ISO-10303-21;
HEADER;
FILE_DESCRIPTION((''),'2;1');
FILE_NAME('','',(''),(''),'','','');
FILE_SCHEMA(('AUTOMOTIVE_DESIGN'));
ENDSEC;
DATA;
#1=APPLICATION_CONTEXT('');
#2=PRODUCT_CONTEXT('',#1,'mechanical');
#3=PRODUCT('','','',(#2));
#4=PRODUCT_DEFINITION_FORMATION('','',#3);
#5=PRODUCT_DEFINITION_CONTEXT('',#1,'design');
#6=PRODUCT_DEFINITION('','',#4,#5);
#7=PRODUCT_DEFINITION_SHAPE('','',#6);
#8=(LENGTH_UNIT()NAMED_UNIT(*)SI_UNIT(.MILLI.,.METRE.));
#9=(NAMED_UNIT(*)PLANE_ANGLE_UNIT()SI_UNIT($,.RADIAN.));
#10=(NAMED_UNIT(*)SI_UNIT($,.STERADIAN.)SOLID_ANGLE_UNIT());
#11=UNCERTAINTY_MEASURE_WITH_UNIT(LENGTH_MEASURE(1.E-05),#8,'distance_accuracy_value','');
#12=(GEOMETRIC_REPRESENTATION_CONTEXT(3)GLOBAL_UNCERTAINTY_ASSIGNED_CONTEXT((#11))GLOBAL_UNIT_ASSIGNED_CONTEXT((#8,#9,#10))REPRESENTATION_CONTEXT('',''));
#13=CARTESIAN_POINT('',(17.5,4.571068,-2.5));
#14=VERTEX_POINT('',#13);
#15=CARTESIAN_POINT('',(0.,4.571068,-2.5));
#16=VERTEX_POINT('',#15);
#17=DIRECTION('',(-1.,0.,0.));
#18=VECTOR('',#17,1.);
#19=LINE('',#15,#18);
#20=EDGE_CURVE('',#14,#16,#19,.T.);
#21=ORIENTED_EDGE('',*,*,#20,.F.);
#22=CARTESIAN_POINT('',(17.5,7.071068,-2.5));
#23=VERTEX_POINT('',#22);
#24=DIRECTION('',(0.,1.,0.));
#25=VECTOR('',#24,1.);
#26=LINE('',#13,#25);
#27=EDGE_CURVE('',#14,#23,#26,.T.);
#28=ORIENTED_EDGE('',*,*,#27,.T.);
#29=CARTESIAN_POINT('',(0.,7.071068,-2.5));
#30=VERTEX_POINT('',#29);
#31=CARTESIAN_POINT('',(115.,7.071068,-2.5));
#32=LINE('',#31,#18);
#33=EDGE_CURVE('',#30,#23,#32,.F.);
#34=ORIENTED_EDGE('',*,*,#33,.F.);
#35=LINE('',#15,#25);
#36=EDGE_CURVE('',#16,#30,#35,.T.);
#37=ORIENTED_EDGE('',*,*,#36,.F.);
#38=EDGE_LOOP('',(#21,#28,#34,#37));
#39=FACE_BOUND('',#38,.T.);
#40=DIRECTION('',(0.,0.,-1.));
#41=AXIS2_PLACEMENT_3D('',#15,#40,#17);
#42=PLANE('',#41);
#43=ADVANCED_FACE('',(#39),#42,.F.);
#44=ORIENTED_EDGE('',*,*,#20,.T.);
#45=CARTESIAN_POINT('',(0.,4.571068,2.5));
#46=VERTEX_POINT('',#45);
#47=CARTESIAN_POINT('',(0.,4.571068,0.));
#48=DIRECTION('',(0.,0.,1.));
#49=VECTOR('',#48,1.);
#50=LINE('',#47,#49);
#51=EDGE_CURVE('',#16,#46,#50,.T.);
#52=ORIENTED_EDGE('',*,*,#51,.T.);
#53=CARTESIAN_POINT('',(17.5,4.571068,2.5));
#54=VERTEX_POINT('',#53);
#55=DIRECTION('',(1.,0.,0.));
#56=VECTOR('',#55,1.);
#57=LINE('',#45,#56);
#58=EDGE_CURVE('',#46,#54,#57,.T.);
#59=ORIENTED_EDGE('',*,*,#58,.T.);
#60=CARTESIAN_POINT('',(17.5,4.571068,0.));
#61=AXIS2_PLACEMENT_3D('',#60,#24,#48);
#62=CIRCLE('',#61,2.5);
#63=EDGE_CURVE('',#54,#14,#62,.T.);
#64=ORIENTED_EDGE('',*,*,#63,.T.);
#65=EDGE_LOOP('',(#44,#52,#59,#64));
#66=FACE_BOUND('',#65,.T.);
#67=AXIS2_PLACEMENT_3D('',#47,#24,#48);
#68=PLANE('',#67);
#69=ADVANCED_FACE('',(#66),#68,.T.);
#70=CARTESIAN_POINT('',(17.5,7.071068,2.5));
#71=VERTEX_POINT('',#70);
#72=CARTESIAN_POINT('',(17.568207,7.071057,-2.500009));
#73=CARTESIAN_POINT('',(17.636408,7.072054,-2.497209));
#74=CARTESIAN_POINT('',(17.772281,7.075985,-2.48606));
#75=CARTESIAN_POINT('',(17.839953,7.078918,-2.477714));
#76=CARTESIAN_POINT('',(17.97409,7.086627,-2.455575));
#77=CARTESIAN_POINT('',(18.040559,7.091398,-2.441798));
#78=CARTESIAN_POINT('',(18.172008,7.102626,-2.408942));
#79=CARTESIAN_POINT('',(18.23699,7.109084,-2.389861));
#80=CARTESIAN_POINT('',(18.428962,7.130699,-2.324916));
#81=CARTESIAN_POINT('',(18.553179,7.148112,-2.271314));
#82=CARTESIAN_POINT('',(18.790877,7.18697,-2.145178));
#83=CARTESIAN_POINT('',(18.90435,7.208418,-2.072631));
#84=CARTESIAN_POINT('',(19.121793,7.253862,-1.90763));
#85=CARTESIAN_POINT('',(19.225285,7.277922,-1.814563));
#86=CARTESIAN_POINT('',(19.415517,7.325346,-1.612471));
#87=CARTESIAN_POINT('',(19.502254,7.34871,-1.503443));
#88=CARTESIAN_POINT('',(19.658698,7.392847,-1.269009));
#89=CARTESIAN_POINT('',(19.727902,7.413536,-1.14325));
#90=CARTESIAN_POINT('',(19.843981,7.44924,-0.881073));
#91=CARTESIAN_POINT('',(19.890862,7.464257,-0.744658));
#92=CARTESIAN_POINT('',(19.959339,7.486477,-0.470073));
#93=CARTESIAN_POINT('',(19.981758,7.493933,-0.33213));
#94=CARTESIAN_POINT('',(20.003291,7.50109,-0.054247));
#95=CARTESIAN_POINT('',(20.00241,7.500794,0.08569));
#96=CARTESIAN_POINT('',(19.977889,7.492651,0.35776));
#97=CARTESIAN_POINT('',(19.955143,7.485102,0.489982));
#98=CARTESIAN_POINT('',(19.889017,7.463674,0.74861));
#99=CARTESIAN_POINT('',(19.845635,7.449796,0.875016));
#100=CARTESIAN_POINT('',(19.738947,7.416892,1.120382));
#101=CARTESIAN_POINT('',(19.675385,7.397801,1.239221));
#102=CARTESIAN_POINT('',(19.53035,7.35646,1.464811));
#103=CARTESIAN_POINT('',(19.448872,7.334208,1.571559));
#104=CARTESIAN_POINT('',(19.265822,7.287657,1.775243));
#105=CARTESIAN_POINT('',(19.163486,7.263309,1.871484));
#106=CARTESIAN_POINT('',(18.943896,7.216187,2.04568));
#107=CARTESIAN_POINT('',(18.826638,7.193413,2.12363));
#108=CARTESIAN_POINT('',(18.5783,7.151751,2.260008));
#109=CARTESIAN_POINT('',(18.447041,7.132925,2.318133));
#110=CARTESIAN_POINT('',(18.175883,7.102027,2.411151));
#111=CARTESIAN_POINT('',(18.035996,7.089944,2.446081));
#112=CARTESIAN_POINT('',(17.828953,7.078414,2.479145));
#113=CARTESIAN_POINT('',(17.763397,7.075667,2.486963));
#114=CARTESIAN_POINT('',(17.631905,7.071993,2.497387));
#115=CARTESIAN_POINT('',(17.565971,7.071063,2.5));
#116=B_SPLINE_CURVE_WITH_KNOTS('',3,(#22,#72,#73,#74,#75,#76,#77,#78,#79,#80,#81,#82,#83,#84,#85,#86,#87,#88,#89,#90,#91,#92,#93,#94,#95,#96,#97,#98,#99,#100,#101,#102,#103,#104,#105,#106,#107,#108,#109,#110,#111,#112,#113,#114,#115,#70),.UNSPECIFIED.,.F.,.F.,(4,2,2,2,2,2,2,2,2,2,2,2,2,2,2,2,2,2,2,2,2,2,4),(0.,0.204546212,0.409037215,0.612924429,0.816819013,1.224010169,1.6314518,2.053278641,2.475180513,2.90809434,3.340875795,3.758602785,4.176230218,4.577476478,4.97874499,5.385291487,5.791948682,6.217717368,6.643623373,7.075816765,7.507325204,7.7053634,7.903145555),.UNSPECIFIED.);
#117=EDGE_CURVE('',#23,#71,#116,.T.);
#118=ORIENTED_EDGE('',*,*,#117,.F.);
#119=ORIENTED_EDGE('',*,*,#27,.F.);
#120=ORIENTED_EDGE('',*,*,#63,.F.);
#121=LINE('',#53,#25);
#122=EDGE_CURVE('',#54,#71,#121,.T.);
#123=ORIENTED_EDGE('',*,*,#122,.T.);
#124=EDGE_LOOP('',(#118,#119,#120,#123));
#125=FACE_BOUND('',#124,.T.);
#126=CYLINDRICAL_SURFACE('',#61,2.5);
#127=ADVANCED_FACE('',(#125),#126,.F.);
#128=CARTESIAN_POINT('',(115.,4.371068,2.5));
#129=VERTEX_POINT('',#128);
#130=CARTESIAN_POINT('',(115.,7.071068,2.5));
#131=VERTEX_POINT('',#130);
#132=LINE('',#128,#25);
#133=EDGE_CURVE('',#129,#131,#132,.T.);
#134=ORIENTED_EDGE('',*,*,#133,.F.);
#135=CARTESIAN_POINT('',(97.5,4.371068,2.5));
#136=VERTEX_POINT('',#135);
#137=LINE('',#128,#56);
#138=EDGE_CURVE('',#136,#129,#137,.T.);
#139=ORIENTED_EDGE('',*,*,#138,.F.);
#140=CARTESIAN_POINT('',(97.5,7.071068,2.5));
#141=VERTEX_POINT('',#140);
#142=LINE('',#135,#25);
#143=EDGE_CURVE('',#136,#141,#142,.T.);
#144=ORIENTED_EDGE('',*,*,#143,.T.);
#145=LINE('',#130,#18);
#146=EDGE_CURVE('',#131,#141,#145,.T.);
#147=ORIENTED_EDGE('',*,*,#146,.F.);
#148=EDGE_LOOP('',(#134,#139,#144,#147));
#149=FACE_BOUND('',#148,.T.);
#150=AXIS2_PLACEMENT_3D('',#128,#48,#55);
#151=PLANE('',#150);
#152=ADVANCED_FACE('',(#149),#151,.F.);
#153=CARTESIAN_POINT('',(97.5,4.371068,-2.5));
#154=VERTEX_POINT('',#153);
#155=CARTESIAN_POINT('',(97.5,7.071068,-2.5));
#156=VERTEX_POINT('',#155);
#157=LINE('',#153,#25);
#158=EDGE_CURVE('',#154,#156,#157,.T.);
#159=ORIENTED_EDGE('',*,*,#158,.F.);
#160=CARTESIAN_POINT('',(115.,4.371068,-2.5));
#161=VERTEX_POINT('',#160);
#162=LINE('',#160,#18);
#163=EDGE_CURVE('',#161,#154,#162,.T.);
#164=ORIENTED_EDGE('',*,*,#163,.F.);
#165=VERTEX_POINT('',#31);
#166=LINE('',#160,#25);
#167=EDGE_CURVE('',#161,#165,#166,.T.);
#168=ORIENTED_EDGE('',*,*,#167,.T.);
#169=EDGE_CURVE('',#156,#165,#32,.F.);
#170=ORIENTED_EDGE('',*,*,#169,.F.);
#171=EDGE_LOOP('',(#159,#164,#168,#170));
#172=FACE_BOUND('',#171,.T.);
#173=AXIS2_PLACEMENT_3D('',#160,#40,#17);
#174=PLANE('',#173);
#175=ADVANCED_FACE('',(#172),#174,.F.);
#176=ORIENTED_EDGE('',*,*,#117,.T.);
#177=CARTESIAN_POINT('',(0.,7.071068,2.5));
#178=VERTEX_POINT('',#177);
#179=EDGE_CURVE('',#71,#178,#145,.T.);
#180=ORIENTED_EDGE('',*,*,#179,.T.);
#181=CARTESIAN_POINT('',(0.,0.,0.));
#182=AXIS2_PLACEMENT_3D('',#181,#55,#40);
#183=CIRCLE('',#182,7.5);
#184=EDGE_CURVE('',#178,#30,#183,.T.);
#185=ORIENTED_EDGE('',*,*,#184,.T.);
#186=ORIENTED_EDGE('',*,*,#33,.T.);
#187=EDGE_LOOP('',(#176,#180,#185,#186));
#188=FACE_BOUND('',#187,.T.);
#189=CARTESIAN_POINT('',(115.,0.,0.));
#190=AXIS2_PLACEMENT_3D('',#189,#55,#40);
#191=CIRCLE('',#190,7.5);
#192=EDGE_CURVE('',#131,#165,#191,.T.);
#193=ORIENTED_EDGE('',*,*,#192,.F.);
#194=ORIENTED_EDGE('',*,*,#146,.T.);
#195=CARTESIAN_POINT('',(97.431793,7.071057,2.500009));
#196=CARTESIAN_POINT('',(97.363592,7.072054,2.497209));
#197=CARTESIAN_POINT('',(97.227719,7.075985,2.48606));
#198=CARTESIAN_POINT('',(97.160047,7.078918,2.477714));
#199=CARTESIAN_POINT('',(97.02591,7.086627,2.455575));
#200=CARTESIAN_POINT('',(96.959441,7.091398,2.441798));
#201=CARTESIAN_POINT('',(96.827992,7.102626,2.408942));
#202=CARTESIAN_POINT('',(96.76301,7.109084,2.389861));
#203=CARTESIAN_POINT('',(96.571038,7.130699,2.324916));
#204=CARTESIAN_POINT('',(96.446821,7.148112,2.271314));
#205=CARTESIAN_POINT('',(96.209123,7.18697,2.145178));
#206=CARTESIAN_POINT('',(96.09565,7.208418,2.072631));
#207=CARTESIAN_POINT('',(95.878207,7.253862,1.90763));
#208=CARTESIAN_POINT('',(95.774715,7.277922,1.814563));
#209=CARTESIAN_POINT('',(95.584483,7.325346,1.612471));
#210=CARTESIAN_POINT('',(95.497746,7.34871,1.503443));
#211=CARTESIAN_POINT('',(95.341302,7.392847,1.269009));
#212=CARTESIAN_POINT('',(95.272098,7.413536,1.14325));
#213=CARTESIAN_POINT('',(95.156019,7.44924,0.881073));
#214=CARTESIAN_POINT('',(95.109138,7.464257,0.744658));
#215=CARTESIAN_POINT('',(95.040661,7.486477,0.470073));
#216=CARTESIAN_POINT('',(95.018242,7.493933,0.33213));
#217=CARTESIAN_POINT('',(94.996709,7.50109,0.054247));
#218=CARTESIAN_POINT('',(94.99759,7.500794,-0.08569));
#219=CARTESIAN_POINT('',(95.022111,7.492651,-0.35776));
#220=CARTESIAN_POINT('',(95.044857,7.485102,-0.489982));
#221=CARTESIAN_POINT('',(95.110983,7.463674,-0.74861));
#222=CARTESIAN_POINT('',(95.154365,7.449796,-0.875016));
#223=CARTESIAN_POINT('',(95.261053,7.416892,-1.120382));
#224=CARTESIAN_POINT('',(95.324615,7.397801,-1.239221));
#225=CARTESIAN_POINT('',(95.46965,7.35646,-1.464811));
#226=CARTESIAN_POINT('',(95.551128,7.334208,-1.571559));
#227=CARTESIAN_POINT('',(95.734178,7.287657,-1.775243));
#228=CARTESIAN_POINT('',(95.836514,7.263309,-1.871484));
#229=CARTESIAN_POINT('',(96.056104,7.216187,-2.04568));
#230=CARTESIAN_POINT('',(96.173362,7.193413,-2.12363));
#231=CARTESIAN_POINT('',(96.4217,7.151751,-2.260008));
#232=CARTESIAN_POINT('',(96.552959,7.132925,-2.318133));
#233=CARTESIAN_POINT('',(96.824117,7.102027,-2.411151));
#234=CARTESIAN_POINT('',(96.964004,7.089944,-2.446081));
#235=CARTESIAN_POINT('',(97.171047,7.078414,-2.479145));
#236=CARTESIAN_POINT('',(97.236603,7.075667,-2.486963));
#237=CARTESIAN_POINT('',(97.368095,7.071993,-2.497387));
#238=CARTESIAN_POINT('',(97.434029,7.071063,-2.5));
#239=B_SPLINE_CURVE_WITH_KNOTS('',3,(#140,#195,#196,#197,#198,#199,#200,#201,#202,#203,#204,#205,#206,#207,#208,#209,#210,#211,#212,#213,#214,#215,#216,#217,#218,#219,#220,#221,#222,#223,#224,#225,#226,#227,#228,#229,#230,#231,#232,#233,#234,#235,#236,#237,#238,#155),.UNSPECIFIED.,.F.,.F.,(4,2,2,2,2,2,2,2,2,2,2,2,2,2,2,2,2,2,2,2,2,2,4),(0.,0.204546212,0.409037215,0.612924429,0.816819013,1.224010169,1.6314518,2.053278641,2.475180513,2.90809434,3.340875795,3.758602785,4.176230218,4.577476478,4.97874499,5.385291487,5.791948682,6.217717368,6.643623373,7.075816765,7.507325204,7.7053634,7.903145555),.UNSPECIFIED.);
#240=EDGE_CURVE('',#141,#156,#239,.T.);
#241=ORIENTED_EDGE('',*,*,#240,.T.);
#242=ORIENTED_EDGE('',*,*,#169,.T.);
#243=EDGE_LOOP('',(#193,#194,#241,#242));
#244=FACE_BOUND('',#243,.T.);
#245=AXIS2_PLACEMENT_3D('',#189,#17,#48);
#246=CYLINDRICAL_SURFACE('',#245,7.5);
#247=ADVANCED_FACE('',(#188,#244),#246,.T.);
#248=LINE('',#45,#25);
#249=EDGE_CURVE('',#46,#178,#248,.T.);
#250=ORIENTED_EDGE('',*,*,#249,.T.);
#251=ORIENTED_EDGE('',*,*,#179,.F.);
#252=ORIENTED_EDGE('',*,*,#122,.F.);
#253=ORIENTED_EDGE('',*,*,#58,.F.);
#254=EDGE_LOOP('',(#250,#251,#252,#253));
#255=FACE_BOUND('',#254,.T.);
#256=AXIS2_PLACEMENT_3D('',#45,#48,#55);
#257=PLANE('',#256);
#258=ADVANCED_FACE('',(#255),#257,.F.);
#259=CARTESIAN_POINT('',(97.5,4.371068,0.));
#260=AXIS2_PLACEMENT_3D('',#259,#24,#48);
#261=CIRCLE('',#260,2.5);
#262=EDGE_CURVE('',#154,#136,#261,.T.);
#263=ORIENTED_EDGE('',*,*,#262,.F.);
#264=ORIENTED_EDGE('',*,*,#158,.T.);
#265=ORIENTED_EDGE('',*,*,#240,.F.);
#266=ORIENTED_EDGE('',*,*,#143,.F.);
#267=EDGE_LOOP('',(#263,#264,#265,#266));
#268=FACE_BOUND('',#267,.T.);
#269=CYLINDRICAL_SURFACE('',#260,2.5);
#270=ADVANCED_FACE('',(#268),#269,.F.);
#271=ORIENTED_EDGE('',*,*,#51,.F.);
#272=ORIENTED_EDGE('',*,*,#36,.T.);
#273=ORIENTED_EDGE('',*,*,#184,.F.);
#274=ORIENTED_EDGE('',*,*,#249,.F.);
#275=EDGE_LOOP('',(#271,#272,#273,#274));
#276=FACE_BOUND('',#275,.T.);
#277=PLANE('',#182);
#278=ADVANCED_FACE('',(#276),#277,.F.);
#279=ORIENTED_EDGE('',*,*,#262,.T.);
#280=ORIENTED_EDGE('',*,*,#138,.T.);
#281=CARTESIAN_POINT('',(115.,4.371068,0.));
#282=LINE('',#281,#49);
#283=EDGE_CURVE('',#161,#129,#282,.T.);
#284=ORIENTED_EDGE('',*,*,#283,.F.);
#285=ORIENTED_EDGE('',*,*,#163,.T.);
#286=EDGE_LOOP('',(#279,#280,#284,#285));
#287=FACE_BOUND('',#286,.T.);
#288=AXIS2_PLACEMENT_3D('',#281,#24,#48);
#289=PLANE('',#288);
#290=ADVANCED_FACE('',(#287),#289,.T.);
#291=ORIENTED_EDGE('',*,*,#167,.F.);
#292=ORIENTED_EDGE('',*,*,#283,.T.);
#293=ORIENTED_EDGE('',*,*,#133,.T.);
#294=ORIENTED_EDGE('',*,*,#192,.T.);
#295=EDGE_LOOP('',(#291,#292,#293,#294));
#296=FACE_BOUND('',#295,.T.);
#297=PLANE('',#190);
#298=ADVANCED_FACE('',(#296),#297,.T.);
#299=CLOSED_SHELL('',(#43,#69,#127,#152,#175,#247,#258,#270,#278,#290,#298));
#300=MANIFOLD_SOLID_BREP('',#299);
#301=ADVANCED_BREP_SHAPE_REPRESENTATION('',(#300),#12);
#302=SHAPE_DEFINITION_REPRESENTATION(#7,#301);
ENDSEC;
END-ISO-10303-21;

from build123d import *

# Parameters (mm, degrees)
SKETCH1_R           = 7.5
BOSS_EXTRUDE1_DEPTH = 115
CUT_EXTRUDE3_START  = 10
CUT_EXTRUDE3_DEPTH  = 12.5
CUT_EXTRUDE4_START  = 10
CUT_EXTRUDE4_DEPTH  = 12.7


with BuildPart() as part:
    # Sketch1 → Boss-Extrude1 (new body)
    with BuildSketch(Plane(origin=(0, 0, 0), x_dir=(0, 0, -1), z_dir=(1, 0, 0))):
        Circle(SKETCH1_R)
    extrude(amount=BOSS_EXTRUDE1_DEPTH)

    # Sketch8 → Cut-Extrude3 (cut)
    with BuildSketch(Plane(origin=(0, 7.071067812, 0), x_dir=(1, 0, 0), z_dir=(0, 1, 0)).offset(CUT_EXTRUDE3_START)):
        with BuildLine():
            Line((0, 2.5), (17.5, 2.5))
            ThreePointArc((17.5, 2.5), (20, 0), (17.5, -2.5))
            Line((17.5, -2.5), (0, -2.5))
            ThreePointArc((0, -2.5), (-2.5, 0), (0, 2.5))
        make_face()
    extrude(amount=-CUT_EXTRUDE3_DEPTH, mode=Mode.SUBTRACT)

    # Sketch9 → Cut-Extrude4 (cut)
    with BuildSketch(Plane(origin=(0, 7.071067812, 0), x_dir=(1, 0, 0), z_dir=(0, 1, 0)).offset(CUT_EXTRUDE4_START)):
        with BuildLine():
            Line((115, -2.5), (97.5, -2.5))
            ThreePointArc((97.5, -2.5), (95, 0), (97.5, 2.5))
            Line((97.5, 2.5), (115, 2.5))
            ThreePointArc((115, 2.5), (117.5, 0), (115, -2.5))
        make_face()
    extrude(amount=-CUT_EXTRUDE4_DEPTH, mode=Mode.SUBTRACT)


solid = part.part
